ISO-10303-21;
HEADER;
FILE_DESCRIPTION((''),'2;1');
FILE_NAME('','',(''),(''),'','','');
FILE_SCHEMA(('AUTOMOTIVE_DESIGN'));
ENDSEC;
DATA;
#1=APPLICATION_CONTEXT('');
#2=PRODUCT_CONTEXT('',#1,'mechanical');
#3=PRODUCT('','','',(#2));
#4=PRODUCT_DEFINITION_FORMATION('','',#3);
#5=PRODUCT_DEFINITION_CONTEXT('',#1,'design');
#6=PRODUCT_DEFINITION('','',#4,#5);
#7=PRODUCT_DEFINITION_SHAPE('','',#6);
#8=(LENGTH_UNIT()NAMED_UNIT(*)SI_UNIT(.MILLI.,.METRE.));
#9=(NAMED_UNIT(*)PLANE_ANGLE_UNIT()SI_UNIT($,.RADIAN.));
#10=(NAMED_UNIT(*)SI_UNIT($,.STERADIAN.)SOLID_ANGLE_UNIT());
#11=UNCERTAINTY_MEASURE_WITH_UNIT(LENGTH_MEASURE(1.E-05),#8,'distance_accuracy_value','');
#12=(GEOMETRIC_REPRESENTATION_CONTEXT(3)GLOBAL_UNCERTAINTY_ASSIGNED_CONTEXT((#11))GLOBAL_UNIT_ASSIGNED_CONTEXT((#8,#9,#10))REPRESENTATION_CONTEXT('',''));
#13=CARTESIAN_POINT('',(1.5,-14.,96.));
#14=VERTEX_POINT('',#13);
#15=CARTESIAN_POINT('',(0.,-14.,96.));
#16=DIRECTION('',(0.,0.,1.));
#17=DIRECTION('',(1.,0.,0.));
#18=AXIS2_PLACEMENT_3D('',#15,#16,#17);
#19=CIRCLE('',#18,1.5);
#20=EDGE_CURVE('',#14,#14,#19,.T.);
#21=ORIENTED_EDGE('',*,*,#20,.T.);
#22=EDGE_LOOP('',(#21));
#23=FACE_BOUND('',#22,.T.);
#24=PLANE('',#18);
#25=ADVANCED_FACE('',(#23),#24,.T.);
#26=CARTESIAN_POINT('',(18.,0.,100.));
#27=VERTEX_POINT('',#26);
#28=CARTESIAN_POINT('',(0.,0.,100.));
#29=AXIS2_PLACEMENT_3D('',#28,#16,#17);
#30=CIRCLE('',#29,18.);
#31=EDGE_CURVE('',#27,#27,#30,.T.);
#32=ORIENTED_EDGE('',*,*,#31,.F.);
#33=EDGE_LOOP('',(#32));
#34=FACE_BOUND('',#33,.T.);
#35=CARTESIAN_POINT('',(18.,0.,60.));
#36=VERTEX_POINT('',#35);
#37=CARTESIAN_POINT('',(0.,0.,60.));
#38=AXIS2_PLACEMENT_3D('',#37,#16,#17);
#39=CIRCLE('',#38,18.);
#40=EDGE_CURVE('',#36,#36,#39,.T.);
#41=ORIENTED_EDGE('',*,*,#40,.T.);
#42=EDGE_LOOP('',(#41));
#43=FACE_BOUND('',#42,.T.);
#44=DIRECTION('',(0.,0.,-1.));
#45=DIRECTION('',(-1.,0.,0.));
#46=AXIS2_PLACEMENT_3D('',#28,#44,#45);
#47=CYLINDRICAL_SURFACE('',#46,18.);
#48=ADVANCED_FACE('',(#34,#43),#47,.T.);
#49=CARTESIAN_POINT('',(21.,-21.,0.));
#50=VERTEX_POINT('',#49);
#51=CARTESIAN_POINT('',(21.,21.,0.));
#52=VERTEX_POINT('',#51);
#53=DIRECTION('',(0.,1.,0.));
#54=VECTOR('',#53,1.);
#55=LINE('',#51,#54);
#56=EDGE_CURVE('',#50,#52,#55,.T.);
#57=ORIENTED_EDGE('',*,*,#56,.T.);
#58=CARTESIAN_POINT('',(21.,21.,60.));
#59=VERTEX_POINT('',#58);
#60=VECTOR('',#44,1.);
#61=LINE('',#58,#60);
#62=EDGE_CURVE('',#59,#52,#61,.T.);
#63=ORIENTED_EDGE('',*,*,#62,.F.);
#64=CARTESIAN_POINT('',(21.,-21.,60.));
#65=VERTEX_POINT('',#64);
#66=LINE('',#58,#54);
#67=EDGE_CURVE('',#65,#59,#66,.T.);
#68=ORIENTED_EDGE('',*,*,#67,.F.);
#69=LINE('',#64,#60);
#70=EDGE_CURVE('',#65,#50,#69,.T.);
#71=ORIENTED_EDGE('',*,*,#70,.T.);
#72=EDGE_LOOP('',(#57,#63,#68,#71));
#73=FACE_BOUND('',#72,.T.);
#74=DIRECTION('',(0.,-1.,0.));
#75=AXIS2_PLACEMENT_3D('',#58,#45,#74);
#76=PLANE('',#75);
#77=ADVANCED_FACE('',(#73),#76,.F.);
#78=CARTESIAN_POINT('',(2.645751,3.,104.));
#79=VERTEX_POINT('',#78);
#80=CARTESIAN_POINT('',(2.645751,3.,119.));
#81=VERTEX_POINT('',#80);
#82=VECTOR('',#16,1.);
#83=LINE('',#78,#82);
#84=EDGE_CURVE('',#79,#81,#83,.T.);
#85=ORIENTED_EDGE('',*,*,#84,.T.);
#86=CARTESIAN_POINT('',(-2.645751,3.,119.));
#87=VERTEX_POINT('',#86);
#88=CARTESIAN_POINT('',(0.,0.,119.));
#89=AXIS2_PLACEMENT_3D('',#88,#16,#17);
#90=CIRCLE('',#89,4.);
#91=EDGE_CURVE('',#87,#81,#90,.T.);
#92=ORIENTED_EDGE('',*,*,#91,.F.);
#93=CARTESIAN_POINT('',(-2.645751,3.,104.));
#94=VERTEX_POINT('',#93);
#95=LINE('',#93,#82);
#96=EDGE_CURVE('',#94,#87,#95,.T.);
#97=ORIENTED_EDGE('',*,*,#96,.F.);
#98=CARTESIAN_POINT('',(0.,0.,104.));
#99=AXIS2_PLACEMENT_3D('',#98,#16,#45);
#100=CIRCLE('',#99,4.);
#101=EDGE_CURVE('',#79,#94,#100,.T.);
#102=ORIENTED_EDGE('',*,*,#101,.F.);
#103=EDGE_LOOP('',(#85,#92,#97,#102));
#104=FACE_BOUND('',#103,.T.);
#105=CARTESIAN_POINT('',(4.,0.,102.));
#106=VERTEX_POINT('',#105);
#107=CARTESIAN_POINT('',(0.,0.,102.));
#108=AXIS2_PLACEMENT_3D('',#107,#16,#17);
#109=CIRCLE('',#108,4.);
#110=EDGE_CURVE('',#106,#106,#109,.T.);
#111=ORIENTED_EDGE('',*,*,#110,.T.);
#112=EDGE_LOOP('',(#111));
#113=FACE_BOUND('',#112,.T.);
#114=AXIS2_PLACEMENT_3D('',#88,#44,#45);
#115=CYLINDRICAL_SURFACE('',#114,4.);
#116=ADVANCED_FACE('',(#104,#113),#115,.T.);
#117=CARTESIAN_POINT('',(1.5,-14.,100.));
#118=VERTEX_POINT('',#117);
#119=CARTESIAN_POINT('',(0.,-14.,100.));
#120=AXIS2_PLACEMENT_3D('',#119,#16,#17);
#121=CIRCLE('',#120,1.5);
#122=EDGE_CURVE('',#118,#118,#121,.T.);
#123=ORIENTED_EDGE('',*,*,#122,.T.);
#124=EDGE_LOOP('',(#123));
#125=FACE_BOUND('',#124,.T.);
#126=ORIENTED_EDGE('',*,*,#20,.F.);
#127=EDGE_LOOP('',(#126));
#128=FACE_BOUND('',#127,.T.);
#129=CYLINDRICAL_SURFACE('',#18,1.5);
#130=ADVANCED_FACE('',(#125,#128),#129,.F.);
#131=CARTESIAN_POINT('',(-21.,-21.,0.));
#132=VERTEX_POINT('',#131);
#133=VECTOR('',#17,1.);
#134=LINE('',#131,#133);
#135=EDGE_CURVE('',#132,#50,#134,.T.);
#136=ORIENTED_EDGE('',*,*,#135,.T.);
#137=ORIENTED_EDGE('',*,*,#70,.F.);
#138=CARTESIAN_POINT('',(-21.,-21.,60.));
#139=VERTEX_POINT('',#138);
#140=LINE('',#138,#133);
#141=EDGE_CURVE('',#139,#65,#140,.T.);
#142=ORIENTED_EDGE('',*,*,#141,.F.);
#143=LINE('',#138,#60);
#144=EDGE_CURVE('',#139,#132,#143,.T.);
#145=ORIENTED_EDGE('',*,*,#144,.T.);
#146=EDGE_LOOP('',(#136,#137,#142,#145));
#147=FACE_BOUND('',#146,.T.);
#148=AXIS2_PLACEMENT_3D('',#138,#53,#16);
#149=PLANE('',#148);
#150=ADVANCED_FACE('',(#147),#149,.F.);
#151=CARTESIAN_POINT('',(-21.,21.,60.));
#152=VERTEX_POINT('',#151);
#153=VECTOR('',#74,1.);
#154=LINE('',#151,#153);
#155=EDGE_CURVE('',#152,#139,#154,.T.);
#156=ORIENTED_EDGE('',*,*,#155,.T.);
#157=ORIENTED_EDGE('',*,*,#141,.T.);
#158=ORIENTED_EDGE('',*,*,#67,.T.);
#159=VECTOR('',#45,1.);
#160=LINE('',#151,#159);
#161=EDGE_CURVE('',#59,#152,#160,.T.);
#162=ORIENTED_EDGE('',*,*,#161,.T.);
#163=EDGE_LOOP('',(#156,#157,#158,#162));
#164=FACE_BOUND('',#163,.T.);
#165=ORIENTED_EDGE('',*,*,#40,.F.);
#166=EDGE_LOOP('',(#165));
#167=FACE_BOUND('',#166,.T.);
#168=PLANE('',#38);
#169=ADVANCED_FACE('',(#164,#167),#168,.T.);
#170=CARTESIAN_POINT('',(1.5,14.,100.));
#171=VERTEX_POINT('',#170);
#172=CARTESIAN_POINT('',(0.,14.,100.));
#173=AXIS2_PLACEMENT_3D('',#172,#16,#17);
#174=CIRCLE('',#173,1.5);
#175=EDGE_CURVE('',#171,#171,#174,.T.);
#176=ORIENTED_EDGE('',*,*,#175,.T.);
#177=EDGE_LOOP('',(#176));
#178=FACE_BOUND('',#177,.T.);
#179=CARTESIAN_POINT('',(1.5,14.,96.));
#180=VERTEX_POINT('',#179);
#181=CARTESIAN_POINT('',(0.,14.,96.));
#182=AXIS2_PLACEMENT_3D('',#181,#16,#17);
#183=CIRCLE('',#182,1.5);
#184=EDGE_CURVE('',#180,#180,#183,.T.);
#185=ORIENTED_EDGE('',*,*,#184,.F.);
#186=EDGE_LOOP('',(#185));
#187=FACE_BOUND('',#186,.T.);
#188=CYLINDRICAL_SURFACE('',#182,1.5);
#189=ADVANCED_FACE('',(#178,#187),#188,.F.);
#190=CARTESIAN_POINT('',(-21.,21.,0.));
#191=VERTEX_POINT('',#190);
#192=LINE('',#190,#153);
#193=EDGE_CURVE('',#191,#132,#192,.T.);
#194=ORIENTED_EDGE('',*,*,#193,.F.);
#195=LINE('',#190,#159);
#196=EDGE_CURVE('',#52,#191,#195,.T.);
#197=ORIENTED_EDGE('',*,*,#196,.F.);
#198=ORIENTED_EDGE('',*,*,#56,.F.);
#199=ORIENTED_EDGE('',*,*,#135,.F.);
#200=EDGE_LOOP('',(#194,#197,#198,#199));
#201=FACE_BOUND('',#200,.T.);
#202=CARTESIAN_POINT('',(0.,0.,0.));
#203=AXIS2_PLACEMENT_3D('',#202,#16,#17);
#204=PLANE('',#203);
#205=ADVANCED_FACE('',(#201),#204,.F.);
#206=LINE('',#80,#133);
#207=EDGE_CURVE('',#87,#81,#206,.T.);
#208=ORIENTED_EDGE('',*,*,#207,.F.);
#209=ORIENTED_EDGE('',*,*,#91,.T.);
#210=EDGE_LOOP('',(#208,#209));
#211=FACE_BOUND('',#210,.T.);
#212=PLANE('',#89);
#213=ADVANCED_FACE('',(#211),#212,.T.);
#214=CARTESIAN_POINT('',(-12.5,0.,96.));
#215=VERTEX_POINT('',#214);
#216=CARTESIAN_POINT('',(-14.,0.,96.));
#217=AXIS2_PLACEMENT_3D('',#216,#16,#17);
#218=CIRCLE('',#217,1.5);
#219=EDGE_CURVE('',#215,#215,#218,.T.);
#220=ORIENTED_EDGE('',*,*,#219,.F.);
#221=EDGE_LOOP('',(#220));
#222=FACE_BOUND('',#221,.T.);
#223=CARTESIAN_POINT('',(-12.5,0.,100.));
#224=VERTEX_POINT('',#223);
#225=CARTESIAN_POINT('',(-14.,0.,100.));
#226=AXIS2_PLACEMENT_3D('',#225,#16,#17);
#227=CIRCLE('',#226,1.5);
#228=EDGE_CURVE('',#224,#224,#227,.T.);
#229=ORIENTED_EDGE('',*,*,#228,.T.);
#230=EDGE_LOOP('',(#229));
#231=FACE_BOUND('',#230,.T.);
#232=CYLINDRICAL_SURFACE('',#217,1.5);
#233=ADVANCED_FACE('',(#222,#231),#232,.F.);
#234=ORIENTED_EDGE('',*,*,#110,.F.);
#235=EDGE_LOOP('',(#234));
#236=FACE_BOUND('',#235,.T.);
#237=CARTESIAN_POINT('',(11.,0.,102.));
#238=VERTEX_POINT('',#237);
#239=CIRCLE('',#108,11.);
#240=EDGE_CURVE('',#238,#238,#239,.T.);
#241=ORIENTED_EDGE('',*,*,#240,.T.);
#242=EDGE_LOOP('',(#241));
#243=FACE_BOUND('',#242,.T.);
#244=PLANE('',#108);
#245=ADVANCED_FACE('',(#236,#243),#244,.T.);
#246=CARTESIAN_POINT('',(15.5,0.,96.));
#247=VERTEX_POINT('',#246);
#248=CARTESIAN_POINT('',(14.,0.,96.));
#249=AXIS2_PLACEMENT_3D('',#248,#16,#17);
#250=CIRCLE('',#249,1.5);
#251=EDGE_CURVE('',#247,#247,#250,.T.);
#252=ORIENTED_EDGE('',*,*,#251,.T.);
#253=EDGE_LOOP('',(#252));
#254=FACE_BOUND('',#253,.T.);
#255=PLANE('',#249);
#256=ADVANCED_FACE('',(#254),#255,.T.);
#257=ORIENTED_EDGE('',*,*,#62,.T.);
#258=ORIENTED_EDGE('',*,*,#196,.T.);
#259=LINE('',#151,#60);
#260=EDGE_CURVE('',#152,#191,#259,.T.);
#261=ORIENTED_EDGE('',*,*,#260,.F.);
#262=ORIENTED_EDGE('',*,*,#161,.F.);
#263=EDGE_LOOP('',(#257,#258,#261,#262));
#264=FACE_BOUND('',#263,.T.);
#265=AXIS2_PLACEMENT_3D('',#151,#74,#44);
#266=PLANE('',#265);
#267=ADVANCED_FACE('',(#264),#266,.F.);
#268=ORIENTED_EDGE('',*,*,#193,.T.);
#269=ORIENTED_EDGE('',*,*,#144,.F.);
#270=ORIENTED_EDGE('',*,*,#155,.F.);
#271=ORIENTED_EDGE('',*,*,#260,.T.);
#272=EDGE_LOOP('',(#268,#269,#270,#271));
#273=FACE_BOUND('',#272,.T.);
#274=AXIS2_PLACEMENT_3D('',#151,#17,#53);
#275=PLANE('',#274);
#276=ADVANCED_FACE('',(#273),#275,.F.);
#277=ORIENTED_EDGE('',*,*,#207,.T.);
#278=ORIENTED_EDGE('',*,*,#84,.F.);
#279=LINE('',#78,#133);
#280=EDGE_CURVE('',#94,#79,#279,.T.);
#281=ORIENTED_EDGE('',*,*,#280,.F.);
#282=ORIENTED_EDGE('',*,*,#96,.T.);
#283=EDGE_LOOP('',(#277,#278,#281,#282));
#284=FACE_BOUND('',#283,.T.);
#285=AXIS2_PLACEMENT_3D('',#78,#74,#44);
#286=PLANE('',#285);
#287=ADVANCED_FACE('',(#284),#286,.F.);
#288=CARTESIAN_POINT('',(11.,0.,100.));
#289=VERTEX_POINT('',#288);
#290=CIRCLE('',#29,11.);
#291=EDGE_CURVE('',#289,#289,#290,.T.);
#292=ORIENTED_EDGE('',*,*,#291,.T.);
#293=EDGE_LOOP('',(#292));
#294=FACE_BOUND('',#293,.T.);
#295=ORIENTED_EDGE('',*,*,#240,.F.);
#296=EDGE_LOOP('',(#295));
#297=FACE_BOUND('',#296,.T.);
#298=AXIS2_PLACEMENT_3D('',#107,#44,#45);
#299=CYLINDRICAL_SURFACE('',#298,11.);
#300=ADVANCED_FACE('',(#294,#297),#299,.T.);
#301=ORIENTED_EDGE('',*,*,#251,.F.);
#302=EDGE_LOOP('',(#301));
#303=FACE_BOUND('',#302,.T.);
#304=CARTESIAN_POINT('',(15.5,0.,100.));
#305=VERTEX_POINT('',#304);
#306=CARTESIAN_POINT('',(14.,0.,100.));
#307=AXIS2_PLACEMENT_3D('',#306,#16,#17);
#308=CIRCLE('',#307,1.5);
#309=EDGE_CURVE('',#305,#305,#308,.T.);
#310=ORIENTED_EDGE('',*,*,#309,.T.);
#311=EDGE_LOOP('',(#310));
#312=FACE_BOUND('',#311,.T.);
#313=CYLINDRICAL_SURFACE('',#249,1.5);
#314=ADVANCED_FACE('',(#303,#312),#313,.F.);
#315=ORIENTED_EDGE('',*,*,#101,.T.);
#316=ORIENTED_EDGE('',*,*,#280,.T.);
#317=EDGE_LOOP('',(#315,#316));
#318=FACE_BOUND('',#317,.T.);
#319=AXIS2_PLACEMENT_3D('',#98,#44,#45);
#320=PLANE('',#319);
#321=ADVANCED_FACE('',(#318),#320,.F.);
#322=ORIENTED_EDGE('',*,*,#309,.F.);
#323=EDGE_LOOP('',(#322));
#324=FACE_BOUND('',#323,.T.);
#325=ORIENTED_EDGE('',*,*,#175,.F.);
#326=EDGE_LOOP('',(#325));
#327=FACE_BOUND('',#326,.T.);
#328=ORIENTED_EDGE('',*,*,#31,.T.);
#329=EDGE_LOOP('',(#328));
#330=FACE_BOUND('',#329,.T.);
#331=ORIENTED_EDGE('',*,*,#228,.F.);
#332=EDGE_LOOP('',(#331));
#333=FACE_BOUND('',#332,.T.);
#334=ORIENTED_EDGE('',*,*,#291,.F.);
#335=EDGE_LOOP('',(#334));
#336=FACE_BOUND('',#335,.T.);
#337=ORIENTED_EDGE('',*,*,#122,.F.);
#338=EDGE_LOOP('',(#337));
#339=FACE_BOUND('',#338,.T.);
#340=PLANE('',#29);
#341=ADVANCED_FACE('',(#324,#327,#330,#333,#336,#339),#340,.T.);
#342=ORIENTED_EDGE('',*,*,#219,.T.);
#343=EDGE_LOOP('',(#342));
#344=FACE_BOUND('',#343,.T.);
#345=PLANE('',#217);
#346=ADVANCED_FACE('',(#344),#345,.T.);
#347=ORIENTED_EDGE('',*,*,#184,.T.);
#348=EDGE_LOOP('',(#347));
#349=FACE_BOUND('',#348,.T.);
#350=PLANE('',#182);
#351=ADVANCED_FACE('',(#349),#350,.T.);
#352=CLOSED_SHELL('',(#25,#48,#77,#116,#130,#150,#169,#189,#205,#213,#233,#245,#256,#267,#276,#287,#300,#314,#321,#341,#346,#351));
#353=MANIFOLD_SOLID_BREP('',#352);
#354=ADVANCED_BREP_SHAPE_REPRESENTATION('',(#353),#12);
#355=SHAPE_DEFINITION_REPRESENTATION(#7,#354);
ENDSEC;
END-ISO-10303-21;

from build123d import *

# Parameters (mm, degrees)
SKETCH_1_W          = 42
SKETCH_1_H          = 42
EXTRUDE_1_DEPTH     = 60
SKETCH_2_R          = 18
EXTRUDE_2_DEPTH     = 40
SKETCH_3_R          = 11
EXTRUDE_3_DEPTH     = 2
SKETCH_4_R          = 4
EXTRUDE_4_DEPTH     = 17
SKETCH_5_R          = 1.5
CUT_EXTRUDE_1_DEPTH = 4
CUT_EXTRUDE_START   = -15
CUT_EXTRUDE_2_DEPTH = 15


with BuildPart() as part:
    # 草图1 → 凸台-拉伸1 (new body)
    with BuildSketch(Plane.XY):
        Rectangle(SKETCH_1_W, SKETCH_1_H)
    extrude(amount=EXTRUDE_1_DEPTH)

    # 草图2 → 凸台-拉伸2 (add)
    with BuildSketch(Plane.XY.offset(60)):
        Circle(SKETCH_2_R)
    extrude(amount=EXTRUDE_2_DEPTH)

    # 草图3 → 凸台-拉伸3 (add)
    with BuildSketch(Plane.XY.offset(100)):
        Circle(SKETCH_3_R)
    extrude(amount=EXTRUDE_3_DEPTH)

    # 草图4 → 凸台-拉伸4 (add)
    with BuildSketch(Plane.XY.offset(102)):
        Circle(SKETCH_4_R)
    extrude(amount=EXTRUDE_4_DEPTH)

    # 草图5 → 切除-拉伸1 (cut)
    with BuildSketch(Plane.XY.offset(100)):
        with Locations((0, 14)):
            Circle(SKETCH_5_R)
        with Locations((14, 0)):
            Circle(SKETCH_5_R)
        with Locations((0, -14)):
            Circle(SKETCH_5_R)
        with Locations((-14, 0)):
            Circle(SKETCH_5_R)
    extrude(amount=-CUT_EXTRUDE_1_DEPTH, mode=Mode.SUBTRACT)

    # 草图6 → 切除-拉伸2 (cut)
    with BuildSketch(Plane.XY.offset(119).offset(CUT_EXTRUDE_START)):
        with BuildLine():
            Line((2.645751311, 3), (-2.645751311, 3))
            ThreePointArc((-2.645751311, 3), (0, 4), (2.645751311, 3))
        make_face()
    extrude(amount=CUT_EXTRUDE_2_DEPTH, mode=Mode.SUBTRACT)


solid = part.part
